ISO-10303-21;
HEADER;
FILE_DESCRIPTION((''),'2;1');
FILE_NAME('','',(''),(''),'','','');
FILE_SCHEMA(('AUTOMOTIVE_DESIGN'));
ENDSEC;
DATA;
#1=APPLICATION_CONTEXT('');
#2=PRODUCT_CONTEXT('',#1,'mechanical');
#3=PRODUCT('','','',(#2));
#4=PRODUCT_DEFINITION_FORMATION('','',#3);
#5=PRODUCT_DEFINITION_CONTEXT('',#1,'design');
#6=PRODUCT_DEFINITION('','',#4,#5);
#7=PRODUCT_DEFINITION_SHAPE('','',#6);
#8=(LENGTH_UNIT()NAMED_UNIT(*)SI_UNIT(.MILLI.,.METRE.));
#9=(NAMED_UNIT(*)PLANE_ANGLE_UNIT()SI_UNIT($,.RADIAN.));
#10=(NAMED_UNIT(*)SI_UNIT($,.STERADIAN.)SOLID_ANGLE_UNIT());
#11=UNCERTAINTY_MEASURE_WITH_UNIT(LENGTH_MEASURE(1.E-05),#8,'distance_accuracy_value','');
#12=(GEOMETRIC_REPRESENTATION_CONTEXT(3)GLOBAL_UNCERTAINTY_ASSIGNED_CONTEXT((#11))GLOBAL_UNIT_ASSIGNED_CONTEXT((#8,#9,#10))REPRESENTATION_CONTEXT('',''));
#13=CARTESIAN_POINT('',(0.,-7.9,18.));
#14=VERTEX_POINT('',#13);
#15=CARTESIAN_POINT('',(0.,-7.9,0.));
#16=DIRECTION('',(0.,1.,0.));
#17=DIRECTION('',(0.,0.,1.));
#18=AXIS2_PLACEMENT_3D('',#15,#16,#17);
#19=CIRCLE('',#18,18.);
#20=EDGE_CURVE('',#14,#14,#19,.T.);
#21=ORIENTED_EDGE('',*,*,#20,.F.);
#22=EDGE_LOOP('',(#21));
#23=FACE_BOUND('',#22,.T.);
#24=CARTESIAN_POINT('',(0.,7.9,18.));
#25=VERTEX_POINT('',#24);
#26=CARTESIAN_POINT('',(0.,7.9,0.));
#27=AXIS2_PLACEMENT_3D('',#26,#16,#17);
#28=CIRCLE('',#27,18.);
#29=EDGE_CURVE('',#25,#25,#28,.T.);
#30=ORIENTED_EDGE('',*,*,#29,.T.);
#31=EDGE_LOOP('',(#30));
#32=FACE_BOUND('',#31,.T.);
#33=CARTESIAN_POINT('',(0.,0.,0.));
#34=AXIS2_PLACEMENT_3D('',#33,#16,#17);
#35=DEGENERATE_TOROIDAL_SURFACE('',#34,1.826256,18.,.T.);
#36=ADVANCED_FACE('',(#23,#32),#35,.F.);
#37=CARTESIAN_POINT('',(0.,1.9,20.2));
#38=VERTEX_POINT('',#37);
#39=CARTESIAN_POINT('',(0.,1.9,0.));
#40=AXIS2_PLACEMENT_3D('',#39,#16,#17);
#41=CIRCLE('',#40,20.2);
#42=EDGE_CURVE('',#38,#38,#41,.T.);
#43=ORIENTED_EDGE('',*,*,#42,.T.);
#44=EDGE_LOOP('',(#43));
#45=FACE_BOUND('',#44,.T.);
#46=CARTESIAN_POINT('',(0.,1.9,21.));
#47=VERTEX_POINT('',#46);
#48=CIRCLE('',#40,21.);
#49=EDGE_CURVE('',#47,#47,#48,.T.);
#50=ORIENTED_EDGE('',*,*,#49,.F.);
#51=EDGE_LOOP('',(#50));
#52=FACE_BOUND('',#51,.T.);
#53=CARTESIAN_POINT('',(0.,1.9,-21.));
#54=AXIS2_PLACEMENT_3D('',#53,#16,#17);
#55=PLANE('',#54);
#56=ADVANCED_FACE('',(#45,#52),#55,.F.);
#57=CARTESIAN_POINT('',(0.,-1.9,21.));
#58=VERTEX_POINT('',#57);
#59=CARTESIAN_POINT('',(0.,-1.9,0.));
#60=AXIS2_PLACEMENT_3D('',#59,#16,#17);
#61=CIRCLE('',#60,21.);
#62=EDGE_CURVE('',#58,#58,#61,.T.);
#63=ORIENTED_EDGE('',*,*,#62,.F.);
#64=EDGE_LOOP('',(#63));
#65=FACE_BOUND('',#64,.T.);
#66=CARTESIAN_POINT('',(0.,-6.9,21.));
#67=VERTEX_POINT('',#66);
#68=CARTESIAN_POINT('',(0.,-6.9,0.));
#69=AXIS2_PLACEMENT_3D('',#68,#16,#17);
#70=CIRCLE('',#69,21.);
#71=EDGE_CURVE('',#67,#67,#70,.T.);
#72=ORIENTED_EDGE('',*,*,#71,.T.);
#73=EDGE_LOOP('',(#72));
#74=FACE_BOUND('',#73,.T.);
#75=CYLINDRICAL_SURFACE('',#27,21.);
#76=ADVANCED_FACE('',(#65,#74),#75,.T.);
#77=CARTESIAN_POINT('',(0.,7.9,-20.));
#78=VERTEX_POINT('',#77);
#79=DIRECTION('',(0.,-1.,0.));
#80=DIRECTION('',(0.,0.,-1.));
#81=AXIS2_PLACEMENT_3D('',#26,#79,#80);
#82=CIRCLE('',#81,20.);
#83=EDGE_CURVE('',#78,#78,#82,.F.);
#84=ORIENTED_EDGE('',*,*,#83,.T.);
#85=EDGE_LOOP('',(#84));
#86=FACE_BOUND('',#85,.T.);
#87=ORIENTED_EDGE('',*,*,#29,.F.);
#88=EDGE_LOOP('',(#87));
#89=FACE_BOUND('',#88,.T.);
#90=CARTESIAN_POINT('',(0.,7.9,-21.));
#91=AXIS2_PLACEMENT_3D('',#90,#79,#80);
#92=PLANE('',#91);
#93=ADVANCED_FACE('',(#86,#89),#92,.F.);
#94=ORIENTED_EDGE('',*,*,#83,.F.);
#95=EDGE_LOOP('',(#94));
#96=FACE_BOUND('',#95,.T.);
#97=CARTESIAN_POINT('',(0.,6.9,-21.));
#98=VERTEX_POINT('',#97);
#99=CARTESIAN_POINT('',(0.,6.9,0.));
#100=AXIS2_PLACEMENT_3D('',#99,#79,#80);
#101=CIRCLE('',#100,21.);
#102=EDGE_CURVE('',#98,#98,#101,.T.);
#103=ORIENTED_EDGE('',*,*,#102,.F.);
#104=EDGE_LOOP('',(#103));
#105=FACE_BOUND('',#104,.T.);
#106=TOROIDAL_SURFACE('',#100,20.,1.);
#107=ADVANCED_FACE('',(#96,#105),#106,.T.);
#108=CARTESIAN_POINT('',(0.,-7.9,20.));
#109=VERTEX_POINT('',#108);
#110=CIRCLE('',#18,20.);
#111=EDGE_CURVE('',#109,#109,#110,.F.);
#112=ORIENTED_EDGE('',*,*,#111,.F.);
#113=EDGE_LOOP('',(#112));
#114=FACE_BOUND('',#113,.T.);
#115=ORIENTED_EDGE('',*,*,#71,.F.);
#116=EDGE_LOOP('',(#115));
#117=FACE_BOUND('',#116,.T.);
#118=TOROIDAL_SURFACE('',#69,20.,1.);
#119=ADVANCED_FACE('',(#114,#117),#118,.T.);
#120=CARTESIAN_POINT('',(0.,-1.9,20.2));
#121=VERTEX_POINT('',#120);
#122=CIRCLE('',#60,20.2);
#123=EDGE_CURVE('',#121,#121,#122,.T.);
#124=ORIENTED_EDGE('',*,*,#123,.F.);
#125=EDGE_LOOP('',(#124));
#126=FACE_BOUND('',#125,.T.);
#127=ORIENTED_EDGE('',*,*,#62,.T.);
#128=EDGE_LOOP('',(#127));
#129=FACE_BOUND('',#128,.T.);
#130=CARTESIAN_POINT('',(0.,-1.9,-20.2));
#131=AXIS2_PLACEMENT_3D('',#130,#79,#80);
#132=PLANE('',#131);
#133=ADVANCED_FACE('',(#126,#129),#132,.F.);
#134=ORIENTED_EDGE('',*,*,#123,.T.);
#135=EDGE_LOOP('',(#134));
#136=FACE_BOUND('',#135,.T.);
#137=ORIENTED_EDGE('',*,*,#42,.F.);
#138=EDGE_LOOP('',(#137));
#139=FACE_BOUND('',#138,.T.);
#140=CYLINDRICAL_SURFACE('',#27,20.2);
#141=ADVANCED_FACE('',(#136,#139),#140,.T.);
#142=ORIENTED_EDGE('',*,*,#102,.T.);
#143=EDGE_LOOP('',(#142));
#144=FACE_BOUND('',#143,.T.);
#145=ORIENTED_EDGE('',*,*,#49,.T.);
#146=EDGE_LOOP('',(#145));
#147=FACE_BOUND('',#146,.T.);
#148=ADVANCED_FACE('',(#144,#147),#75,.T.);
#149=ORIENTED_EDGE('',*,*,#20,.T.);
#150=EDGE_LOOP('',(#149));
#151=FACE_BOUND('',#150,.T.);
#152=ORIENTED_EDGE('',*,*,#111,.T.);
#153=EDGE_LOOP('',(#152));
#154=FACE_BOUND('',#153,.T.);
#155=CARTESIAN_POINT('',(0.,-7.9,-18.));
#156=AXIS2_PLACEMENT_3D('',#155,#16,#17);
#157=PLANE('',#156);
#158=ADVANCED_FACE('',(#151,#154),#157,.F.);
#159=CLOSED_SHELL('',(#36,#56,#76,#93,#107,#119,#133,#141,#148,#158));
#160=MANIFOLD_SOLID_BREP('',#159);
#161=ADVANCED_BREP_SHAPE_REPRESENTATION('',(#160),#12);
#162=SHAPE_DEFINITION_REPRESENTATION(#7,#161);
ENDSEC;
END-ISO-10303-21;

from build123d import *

# Parameters (mm, degrees)
FILLET1_R = 1


with BuildPart() as part:
    # Sketch1 → Revolve1 (revolve)
    with BuildSketch(Plane(origin=(0, 0, 0), x_dir=(0, 0, -1), z_dir=(1, 0, 0)), mode=Mode.PRIVATE) as revolve1_sk:
        with BuildLine():
            Line((21, 7.9), (21, 1.9))
            Line((21, 1.9), (20.2, 1.9))
            Line((20.2, 1.9), (20.2, -1.9))
            Line((20.2, -1.9), (21, -1.9))
            Line((21, -1.9), (21, -7.9))
            Line((21, -7.9), (18, -7.9))
            ThreePointArc((18, -7.9), (19.826255845, 0), (18, 7.9))
            Line((18, 7.9), (21, 7.9))
        make_face()
    revolve(revolve1_sk.sketch.rotate(Axis((0, 7.9, 0), (0, -1, 0)), 180), axis=Axis((0, 7.9, 0), (0, -1, 0)))  # turned: the seam where the file's is

    # Fillet1
    fillet1_edges = [part.edges().sort_by_distance(p)[0] for p in [
        (0, -7.9, -21),
        (0, 7.9, -21),
    ]]
    fillet(fillet1_edges, radius=FILLET1_R)


solid = part.part
